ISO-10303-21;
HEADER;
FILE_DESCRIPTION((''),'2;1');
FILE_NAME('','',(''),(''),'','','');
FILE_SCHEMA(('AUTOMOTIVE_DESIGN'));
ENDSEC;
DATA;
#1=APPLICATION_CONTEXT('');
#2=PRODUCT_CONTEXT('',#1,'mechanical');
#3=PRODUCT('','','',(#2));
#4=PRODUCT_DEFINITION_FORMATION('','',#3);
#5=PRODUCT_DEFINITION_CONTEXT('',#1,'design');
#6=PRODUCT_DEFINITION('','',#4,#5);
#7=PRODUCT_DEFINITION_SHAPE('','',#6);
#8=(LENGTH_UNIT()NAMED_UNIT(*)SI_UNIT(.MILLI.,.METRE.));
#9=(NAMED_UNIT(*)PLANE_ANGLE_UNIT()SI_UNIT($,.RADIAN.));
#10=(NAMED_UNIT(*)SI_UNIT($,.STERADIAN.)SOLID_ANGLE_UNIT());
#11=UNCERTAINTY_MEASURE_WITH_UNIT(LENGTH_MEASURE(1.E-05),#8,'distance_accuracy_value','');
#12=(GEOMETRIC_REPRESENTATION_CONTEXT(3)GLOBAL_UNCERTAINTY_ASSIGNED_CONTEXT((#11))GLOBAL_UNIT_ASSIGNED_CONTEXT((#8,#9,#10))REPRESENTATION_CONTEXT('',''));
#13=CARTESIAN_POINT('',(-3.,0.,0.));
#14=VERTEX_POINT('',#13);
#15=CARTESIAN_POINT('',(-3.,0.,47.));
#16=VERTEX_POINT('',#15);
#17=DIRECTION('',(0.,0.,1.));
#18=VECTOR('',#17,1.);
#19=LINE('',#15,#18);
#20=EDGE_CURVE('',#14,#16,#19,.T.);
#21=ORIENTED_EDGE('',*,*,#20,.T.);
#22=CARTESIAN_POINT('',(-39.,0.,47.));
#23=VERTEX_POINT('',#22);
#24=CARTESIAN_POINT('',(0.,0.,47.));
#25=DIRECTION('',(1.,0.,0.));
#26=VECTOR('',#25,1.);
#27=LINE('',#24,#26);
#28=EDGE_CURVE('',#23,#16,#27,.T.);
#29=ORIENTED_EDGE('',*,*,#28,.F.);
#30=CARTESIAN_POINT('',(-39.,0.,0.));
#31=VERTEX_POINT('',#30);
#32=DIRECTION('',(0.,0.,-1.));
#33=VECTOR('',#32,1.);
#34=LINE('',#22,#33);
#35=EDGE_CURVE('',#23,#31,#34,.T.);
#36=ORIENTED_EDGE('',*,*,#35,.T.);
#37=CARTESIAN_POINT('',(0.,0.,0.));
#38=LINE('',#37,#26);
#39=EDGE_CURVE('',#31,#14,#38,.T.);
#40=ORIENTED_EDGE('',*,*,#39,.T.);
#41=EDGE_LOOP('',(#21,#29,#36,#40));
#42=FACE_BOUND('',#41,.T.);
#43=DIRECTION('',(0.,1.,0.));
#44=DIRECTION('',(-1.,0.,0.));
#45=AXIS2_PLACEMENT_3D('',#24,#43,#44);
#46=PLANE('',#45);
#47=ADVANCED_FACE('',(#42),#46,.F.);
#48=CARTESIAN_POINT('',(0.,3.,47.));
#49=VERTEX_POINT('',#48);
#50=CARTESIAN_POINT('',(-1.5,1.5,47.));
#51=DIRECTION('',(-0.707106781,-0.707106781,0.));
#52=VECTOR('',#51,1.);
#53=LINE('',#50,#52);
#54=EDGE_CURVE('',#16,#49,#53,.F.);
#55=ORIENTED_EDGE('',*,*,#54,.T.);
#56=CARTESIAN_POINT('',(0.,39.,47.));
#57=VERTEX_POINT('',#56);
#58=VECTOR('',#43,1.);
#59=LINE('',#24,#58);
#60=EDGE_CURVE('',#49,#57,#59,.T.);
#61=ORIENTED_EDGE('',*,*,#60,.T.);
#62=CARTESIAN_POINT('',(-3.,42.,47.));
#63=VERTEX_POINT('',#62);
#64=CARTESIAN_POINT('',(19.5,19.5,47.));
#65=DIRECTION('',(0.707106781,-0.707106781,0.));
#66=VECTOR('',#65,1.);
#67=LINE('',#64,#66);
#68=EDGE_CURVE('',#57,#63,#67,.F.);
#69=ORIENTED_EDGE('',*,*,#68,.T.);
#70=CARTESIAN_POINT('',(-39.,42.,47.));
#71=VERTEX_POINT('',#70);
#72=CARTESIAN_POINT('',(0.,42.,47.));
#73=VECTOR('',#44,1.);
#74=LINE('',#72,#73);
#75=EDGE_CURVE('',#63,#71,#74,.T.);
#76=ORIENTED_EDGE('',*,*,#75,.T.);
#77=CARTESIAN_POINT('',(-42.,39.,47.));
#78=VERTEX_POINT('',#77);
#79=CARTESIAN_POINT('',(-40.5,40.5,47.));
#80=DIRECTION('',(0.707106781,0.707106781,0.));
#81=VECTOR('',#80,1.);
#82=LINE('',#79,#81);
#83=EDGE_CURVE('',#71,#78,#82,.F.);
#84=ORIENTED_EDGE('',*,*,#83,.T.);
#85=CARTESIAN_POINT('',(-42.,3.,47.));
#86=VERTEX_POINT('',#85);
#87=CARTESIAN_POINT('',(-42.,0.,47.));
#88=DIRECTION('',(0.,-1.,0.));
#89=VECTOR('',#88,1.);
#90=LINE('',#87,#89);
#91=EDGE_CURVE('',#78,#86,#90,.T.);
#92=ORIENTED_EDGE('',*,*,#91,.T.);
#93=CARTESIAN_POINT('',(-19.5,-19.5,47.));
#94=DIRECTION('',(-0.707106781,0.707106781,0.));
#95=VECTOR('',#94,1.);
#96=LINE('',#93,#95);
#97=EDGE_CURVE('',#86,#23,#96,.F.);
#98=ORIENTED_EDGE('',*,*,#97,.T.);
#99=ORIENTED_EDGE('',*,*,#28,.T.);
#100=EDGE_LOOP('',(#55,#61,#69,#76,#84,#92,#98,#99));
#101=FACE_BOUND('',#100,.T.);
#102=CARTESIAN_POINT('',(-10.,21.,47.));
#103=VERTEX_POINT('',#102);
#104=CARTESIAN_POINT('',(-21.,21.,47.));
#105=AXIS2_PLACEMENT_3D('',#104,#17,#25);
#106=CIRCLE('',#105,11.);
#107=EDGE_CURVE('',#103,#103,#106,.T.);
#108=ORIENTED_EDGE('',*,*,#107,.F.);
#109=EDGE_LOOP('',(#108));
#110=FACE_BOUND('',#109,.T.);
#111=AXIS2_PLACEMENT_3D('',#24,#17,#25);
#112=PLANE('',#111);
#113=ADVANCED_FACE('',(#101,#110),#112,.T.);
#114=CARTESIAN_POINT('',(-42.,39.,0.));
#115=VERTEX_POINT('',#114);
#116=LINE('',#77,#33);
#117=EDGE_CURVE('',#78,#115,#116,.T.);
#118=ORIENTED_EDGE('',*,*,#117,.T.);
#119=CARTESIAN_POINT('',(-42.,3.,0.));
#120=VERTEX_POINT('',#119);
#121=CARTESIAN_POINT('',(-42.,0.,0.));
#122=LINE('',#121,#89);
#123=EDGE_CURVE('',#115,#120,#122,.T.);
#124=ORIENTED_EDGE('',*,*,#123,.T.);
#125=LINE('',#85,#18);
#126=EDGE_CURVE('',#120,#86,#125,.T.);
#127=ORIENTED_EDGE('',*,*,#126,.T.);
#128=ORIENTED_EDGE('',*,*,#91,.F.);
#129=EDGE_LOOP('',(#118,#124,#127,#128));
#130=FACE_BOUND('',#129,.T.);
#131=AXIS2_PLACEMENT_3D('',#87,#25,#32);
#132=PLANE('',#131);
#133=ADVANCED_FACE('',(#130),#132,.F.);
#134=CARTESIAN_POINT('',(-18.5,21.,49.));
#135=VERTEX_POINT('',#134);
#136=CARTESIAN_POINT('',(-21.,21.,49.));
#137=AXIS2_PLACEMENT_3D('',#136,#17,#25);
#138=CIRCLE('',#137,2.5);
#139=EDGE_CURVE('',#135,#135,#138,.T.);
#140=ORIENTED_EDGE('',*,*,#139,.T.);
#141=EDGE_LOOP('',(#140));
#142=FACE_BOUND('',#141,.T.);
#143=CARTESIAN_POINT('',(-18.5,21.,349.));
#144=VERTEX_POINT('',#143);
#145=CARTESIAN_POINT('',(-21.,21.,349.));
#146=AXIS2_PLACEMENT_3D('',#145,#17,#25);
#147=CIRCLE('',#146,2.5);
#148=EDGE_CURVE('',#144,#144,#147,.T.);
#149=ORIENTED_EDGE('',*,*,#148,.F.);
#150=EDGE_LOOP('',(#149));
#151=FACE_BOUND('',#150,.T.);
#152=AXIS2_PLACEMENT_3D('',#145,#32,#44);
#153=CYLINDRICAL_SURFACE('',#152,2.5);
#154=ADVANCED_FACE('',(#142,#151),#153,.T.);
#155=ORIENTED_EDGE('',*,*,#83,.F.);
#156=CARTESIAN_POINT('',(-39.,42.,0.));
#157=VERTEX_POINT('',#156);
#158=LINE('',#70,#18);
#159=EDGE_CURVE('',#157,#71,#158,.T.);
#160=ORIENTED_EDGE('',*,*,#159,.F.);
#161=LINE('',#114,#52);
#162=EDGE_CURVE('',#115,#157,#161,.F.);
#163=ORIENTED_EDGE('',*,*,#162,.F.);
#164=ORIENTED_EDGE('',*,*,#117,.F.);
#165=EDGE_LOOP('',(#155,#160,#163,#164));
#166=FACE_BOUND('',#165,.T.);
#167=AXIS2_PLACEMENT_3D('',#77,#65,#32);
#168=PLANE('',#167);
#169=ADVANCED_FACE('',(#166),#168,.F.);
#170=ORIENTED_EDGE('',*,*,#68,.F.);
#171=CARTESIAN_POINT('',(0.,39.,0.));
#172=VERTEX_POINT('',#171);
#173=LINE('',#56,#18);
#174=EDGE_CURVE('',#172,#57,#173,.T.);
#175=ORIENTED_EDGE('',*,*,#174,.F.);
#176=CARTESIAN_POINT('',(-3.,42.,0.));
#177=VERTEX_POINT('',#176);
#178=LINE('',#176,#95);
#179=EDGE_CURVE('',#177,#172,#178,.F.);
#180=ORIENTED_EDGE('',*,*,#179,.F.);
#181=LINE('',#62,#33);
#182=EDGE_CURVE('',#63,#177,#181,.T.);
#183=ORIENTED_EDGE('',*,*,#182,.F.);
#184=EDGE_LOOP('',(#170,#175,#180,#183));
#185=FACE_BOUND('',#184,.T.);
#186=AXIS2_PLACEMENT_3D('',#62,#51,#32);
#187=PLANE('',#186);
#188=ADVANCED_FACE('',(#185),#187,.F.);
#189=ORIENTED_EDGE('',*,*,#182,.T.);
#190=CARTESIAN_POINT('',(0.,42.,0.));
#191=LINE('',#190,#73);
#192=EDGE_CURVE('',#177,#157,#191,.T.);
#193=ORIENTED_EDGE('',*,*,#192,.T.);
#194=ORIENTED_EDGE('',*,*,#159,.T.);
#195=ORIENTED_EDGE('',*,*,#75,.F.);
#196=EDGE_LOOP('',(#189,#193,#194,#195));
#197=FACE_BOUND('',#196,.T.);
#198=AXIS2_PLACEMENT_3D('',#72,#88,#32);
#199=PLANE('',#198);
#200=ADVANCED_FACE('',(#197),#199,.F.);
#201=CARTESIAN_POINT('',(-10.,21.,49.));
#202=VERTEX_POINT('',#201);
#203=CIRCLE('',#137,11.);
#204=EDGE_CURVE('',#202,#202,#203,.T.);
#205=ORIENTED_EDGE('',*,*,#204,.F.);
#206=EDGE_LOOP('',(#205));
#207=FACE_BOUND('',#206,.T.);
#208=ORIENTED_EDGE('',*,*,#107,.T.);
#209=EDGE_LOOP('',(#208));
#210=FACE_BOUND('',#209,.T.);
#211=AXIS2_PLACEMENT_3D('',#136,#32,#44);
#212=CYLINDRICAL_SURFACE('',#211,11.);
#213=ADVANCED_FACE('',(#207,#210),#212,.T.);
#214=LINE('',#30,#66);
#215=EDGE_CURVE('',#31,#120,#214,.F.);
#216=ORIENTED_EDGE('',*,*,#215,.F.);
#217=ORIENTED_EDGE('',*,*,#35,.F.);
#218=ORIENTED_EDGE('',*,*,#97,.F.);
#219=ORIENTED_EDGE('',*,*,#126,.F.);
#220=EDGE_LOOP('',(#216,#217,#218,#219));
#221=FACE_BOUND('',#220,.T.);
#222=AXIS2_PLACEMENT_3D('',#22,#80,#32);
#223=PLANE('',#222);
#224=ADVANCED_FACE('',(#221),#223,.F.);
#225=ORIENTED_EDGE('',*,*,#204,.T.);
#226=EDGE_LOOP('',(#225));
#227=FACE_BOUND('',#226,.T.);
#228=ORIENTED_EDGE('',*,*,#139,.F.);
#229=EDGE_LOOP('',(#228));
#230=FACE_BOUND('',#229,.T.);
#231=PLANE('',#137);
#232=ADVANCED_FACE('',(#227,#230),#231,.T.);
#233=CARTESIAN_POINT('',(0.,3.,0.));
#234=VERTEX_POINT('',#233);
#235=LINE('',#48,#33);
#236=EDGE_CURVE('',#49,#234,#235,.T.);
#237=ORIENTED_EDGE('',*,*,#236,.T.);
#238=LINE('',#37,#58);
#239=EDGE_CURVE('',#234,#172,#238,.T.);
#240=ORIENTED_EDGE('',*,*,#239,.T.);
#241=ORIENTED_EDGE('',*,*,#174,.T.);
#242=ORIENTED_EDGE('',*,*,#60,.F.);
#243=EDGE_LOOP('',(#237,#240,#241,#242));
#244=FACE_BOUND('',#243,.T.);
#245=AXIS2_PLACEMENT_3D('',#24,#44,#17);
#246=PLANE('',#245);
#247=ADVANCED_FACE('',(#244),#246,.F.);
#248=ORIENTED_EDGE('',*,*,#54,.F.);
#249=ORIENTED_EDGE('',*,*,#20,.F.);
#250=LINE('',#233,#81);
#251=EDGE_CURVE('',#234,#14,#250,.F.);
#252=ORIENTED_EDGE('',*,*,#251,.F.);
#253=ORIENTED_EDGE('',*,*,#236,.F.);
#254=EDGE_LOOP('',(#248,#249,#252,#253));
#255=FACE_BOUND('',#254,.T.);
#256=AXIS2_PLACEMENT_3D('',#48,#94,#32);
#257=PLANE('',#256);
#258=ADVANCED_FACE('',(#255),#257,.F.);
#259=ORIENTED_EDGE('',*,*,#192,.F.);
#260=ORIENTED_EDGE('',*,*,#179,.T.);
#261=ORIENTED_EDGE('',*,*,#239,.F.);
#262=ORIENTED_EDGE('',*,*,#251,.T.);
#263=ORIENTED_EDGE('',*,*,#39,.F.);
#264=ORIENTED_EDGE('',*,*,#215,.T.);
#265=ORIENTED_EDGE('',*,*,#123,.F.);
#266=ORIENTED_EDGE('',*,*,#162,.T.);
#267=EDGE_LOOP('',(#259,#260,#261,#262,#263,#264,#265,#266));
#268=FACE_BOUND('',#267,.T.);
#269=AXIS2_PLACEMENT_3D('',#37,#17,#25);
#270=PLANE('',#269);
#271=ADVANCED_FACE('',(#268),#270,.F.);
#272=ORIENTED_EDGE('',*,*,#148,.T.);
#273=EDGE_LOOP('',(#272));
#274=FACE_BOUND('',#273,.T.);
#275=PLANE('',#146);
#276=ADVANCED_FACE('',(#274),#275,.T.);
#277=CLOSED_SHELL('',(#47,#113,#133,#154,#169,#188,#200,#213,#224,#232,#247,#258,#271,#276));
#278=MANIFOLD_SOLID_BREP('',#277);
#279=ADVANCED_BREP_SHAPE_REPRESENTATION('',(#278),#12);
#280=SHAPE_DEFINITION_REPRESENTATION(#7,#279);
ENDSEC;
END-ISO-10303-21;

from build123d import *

# Parameters (mm, degrees)
SKETCH_1_W      = 42
SKETCH_1_H      = 42
EXTRUDE_1_DEPTH = 47
CHAMFER_1_SIZE  = 3
SKETCH_2_R      = 11
EXTRUDE_2_DEPTH = 2
SKETCH_3_R      = 2.5
EXTRUDE_3_DEPTH = 300


with BuildPart() as part:
    # 草图1 → 凸台-拉伸1 (new body)
    with BuildSketch(Plane.XY):
        with Locations((-21, 21)):
            Rectangle(SKETCH_1_W, SKETCH_1_H)
    extrude(amount=EXTRUDE_1_DEPTH)

    # 倒角1
    chamfer_1_edges = [part.edges().sort_by_distance(p)[0] for p in [
        (0, 0, 23.5),
        (-42, 0, 23.5),
        (-42, 42, 23.5),
        (0, 42, 23.5),
    ]]
    chamfer(chamfer_1_edges, length=CHAMFER_1_SIZE)

    # 草图2 → 凸台-拉伸2 (add)
    with BuildSketch(Plane.XY.offset(47)):
        with Locations((-21, 21)):
            Circle(SKETCH_2_R)
    extrude(amount=EXTRUDE_2_DEPTH)

    # 草图3 → 凸台-拉伸3 (add)
    with BuildSketch(Plane.XY.offset(49)):
        with Locations((-21, 21)):
            Circle(SKETCH_3_R)
    extrude(amount=EXTRUDE_3_DEPTH)


solid = part.part
